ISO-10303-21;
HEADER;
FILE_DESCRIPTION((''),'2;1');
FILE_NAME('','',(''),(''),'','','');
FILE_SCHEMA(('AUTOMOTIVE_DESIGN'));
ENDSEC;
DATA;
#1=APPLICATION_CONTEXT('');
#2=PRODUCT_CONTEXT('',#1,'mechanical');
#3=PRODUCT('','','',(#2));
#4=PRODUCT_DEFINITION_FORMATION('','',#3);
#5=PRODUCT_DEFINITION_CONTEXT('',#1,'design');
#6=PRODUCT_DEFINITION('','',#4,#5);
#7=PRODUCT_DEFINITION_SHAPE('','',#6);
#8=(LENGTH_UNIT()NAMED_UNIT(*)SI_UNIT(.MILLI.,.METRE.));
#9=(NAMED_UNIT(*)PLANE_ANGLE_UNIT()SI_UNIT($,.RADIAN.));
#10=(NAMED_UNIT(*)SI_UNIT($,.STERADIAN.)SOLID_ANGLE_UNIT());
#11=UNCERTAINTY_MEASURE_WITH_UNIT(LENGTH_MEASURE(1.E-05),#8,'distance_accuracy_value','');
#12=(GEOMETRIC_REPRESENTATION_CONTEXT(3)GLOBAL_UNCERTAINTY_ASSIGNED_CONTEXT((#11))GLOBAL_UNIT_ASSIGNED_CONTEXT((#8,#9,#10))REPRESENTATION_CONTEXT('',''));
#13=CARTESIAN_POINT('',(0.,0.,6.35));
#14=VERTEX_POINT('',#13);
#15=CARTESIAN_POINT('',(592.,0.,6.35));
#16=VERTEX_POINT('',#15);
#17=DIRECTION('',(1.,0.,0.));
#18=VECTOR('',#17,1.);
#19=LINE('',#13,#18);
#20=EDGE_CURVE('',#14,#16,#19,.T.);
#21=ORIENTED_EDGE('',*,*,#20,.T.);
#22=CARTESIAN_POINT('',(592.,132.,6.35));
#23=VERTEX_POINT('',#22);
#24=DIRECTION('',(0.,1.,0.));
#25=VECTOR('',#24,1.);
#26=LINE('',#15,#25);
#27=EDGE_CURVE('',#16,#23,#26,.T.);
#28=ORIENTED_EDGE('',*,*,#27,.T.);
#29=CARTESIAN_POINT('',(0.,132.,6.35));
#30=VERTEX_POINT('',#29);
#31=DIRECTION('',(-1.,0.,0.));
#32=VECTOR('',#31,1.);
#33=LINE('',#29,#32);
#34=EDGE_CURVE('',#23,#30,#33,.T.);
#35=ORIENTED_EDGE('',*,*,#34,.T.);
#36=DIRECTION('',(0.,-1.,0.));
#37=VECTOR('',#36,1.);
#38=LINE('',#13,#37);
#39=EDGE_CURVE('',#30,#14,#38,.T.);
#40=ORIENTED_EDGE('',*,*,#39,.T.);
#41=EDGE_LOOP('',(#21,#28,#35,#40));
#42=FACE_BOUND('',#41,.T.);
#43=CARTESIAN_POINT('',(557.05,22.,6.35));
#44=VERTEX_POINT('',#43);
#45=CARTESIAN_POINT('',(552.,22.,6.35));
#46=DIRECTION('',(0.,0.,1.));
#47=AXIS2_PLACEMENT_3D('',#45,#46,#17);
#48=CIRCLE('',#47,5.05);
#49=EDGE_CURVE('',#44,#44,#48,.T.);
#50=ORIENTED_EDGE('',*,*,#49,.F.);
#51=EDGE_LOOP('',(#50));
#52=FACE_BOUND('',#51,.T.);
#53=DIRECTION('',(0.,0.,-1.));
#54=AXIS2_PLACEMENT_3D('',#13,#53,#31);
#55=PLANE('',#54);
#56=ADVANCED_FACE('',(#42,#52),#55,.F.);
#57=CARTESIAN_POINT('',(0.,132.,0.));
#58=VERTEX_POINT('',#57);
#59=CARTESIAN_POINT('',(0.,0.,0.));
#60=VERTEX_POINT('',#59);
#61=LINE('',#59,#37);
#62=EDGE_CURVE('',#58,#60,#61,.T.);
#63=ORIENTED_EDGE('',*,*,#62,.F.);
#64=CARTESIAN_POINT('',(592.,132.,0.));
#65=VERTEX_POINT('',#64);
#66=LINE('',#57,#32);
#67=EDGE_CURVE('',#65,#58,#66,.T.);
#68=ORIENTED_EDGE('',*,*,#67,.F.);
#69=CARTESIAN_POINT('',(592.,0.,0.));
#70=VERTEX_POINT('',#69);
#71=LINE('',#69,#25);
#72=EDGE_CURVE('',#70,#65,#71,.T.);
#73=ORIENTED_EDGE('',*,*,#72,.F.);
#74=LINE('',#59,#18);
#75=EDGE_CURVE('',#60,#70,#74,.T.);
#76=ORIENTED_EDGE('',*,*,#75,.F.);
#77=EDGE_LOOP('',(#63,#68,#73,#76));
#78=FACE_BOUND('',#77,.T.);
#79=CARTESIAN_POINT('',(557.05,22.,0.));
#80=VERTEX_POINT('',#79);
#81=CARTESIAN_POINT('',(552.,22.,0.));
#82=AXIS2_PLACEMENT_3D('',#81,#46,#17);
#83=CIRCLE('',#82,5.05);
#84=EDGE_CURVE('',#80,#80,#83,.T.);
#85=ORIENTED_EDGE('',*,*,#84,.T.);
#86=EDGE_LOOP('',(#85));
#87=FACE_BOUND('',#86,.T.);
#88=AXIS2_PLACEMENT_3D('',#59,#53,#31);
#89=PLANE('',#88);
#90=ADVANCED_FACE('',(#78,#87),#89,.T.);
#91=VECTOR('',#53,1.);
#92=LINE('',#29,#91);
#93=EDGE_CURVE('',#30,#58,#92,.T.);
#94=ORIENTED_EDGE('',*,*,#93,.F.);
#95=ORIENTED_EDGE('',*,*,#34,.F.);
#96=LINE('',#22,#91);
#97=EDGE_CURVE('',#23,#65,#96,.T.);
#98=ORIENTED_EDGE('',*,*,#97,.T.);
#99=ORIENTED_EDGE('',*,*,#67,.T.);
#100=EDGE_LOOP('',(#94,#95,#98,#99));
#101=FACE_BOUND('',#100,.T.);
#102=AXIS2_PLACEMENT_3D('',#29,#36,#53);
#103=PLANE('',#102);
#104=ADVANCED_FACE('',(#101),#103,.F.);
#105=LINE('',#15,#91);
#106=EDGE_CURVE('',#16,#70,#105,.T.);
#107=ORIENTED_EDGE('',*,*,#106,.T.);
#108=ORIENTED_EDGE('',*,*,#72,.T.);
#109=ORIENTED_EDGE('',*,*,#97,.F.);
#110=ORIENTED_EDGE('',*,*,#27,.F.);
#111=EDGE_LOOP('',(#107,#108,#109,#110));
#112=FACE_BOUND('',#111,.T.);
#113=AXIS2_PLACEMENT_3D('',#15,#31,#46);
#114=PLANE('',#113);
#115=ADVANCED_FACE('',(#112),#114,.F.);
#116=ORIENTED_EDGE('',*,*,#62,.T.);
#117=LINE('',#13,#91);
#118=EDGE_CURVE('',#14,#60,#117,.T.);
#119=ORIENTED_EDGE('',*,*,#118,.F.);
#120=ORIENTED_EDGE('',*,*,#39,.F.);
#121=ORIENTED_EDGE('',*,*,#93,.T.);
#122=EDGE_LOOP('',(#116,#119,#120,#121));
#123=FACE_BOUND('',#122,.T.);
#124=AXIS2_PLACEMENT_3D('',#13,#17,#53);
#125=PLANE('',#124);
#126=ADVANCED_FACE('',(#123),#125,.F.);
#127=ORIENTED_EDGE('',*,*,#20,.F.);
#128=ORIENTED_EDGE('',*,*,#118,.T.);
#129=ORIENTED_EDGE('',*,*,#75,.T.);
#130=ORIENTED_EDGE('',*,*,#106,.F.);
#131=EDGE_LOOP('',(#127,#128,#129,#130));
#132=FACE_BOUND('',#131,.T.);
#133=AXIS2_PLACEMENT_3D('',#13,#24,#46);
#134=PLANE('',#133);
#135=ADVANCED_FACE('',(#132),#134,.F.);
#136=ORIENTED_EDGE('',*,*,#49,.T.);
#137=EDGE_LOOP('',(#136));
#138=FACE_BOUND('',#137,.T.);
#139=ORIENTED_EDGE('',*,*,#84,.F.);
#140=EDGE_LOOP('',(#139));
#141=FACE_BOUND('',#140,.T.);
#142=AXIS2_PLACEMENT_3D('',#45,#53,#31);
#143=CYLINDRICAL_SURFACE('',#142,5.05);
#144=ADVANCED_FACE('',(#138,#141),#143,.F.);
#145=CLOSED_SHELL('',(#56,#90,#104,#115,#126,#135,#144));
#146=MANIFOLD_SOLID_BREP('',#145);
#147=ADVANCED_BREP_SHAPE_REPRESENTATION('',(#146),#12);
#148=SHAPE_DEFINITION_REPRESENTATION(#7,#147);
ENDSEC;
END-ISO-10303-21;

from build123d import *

# Parameters (mm, degrees)
SKETCH1_W           = 592
SKETCH1_H           = 132
SKETCH1_R           = 5.05
BOSS_EXTRUDE1_DEPTH = 6.35


with BuildPart() as part:
    # Sketch1 → Boss-Extrude1 (new body)
    with BuildSketch(Plane.XY):
        with Locations((296, 66)):
            Rectangle(SKETCH1_W, SKETCH1_H)
        with Locations((552, 22)):
            Circle(SKETCH1_R, mode=Mode.SUBTRACT)
    extrude(amount=BOSS_EXTRUDE1_DEPTH)


solid = part.part
